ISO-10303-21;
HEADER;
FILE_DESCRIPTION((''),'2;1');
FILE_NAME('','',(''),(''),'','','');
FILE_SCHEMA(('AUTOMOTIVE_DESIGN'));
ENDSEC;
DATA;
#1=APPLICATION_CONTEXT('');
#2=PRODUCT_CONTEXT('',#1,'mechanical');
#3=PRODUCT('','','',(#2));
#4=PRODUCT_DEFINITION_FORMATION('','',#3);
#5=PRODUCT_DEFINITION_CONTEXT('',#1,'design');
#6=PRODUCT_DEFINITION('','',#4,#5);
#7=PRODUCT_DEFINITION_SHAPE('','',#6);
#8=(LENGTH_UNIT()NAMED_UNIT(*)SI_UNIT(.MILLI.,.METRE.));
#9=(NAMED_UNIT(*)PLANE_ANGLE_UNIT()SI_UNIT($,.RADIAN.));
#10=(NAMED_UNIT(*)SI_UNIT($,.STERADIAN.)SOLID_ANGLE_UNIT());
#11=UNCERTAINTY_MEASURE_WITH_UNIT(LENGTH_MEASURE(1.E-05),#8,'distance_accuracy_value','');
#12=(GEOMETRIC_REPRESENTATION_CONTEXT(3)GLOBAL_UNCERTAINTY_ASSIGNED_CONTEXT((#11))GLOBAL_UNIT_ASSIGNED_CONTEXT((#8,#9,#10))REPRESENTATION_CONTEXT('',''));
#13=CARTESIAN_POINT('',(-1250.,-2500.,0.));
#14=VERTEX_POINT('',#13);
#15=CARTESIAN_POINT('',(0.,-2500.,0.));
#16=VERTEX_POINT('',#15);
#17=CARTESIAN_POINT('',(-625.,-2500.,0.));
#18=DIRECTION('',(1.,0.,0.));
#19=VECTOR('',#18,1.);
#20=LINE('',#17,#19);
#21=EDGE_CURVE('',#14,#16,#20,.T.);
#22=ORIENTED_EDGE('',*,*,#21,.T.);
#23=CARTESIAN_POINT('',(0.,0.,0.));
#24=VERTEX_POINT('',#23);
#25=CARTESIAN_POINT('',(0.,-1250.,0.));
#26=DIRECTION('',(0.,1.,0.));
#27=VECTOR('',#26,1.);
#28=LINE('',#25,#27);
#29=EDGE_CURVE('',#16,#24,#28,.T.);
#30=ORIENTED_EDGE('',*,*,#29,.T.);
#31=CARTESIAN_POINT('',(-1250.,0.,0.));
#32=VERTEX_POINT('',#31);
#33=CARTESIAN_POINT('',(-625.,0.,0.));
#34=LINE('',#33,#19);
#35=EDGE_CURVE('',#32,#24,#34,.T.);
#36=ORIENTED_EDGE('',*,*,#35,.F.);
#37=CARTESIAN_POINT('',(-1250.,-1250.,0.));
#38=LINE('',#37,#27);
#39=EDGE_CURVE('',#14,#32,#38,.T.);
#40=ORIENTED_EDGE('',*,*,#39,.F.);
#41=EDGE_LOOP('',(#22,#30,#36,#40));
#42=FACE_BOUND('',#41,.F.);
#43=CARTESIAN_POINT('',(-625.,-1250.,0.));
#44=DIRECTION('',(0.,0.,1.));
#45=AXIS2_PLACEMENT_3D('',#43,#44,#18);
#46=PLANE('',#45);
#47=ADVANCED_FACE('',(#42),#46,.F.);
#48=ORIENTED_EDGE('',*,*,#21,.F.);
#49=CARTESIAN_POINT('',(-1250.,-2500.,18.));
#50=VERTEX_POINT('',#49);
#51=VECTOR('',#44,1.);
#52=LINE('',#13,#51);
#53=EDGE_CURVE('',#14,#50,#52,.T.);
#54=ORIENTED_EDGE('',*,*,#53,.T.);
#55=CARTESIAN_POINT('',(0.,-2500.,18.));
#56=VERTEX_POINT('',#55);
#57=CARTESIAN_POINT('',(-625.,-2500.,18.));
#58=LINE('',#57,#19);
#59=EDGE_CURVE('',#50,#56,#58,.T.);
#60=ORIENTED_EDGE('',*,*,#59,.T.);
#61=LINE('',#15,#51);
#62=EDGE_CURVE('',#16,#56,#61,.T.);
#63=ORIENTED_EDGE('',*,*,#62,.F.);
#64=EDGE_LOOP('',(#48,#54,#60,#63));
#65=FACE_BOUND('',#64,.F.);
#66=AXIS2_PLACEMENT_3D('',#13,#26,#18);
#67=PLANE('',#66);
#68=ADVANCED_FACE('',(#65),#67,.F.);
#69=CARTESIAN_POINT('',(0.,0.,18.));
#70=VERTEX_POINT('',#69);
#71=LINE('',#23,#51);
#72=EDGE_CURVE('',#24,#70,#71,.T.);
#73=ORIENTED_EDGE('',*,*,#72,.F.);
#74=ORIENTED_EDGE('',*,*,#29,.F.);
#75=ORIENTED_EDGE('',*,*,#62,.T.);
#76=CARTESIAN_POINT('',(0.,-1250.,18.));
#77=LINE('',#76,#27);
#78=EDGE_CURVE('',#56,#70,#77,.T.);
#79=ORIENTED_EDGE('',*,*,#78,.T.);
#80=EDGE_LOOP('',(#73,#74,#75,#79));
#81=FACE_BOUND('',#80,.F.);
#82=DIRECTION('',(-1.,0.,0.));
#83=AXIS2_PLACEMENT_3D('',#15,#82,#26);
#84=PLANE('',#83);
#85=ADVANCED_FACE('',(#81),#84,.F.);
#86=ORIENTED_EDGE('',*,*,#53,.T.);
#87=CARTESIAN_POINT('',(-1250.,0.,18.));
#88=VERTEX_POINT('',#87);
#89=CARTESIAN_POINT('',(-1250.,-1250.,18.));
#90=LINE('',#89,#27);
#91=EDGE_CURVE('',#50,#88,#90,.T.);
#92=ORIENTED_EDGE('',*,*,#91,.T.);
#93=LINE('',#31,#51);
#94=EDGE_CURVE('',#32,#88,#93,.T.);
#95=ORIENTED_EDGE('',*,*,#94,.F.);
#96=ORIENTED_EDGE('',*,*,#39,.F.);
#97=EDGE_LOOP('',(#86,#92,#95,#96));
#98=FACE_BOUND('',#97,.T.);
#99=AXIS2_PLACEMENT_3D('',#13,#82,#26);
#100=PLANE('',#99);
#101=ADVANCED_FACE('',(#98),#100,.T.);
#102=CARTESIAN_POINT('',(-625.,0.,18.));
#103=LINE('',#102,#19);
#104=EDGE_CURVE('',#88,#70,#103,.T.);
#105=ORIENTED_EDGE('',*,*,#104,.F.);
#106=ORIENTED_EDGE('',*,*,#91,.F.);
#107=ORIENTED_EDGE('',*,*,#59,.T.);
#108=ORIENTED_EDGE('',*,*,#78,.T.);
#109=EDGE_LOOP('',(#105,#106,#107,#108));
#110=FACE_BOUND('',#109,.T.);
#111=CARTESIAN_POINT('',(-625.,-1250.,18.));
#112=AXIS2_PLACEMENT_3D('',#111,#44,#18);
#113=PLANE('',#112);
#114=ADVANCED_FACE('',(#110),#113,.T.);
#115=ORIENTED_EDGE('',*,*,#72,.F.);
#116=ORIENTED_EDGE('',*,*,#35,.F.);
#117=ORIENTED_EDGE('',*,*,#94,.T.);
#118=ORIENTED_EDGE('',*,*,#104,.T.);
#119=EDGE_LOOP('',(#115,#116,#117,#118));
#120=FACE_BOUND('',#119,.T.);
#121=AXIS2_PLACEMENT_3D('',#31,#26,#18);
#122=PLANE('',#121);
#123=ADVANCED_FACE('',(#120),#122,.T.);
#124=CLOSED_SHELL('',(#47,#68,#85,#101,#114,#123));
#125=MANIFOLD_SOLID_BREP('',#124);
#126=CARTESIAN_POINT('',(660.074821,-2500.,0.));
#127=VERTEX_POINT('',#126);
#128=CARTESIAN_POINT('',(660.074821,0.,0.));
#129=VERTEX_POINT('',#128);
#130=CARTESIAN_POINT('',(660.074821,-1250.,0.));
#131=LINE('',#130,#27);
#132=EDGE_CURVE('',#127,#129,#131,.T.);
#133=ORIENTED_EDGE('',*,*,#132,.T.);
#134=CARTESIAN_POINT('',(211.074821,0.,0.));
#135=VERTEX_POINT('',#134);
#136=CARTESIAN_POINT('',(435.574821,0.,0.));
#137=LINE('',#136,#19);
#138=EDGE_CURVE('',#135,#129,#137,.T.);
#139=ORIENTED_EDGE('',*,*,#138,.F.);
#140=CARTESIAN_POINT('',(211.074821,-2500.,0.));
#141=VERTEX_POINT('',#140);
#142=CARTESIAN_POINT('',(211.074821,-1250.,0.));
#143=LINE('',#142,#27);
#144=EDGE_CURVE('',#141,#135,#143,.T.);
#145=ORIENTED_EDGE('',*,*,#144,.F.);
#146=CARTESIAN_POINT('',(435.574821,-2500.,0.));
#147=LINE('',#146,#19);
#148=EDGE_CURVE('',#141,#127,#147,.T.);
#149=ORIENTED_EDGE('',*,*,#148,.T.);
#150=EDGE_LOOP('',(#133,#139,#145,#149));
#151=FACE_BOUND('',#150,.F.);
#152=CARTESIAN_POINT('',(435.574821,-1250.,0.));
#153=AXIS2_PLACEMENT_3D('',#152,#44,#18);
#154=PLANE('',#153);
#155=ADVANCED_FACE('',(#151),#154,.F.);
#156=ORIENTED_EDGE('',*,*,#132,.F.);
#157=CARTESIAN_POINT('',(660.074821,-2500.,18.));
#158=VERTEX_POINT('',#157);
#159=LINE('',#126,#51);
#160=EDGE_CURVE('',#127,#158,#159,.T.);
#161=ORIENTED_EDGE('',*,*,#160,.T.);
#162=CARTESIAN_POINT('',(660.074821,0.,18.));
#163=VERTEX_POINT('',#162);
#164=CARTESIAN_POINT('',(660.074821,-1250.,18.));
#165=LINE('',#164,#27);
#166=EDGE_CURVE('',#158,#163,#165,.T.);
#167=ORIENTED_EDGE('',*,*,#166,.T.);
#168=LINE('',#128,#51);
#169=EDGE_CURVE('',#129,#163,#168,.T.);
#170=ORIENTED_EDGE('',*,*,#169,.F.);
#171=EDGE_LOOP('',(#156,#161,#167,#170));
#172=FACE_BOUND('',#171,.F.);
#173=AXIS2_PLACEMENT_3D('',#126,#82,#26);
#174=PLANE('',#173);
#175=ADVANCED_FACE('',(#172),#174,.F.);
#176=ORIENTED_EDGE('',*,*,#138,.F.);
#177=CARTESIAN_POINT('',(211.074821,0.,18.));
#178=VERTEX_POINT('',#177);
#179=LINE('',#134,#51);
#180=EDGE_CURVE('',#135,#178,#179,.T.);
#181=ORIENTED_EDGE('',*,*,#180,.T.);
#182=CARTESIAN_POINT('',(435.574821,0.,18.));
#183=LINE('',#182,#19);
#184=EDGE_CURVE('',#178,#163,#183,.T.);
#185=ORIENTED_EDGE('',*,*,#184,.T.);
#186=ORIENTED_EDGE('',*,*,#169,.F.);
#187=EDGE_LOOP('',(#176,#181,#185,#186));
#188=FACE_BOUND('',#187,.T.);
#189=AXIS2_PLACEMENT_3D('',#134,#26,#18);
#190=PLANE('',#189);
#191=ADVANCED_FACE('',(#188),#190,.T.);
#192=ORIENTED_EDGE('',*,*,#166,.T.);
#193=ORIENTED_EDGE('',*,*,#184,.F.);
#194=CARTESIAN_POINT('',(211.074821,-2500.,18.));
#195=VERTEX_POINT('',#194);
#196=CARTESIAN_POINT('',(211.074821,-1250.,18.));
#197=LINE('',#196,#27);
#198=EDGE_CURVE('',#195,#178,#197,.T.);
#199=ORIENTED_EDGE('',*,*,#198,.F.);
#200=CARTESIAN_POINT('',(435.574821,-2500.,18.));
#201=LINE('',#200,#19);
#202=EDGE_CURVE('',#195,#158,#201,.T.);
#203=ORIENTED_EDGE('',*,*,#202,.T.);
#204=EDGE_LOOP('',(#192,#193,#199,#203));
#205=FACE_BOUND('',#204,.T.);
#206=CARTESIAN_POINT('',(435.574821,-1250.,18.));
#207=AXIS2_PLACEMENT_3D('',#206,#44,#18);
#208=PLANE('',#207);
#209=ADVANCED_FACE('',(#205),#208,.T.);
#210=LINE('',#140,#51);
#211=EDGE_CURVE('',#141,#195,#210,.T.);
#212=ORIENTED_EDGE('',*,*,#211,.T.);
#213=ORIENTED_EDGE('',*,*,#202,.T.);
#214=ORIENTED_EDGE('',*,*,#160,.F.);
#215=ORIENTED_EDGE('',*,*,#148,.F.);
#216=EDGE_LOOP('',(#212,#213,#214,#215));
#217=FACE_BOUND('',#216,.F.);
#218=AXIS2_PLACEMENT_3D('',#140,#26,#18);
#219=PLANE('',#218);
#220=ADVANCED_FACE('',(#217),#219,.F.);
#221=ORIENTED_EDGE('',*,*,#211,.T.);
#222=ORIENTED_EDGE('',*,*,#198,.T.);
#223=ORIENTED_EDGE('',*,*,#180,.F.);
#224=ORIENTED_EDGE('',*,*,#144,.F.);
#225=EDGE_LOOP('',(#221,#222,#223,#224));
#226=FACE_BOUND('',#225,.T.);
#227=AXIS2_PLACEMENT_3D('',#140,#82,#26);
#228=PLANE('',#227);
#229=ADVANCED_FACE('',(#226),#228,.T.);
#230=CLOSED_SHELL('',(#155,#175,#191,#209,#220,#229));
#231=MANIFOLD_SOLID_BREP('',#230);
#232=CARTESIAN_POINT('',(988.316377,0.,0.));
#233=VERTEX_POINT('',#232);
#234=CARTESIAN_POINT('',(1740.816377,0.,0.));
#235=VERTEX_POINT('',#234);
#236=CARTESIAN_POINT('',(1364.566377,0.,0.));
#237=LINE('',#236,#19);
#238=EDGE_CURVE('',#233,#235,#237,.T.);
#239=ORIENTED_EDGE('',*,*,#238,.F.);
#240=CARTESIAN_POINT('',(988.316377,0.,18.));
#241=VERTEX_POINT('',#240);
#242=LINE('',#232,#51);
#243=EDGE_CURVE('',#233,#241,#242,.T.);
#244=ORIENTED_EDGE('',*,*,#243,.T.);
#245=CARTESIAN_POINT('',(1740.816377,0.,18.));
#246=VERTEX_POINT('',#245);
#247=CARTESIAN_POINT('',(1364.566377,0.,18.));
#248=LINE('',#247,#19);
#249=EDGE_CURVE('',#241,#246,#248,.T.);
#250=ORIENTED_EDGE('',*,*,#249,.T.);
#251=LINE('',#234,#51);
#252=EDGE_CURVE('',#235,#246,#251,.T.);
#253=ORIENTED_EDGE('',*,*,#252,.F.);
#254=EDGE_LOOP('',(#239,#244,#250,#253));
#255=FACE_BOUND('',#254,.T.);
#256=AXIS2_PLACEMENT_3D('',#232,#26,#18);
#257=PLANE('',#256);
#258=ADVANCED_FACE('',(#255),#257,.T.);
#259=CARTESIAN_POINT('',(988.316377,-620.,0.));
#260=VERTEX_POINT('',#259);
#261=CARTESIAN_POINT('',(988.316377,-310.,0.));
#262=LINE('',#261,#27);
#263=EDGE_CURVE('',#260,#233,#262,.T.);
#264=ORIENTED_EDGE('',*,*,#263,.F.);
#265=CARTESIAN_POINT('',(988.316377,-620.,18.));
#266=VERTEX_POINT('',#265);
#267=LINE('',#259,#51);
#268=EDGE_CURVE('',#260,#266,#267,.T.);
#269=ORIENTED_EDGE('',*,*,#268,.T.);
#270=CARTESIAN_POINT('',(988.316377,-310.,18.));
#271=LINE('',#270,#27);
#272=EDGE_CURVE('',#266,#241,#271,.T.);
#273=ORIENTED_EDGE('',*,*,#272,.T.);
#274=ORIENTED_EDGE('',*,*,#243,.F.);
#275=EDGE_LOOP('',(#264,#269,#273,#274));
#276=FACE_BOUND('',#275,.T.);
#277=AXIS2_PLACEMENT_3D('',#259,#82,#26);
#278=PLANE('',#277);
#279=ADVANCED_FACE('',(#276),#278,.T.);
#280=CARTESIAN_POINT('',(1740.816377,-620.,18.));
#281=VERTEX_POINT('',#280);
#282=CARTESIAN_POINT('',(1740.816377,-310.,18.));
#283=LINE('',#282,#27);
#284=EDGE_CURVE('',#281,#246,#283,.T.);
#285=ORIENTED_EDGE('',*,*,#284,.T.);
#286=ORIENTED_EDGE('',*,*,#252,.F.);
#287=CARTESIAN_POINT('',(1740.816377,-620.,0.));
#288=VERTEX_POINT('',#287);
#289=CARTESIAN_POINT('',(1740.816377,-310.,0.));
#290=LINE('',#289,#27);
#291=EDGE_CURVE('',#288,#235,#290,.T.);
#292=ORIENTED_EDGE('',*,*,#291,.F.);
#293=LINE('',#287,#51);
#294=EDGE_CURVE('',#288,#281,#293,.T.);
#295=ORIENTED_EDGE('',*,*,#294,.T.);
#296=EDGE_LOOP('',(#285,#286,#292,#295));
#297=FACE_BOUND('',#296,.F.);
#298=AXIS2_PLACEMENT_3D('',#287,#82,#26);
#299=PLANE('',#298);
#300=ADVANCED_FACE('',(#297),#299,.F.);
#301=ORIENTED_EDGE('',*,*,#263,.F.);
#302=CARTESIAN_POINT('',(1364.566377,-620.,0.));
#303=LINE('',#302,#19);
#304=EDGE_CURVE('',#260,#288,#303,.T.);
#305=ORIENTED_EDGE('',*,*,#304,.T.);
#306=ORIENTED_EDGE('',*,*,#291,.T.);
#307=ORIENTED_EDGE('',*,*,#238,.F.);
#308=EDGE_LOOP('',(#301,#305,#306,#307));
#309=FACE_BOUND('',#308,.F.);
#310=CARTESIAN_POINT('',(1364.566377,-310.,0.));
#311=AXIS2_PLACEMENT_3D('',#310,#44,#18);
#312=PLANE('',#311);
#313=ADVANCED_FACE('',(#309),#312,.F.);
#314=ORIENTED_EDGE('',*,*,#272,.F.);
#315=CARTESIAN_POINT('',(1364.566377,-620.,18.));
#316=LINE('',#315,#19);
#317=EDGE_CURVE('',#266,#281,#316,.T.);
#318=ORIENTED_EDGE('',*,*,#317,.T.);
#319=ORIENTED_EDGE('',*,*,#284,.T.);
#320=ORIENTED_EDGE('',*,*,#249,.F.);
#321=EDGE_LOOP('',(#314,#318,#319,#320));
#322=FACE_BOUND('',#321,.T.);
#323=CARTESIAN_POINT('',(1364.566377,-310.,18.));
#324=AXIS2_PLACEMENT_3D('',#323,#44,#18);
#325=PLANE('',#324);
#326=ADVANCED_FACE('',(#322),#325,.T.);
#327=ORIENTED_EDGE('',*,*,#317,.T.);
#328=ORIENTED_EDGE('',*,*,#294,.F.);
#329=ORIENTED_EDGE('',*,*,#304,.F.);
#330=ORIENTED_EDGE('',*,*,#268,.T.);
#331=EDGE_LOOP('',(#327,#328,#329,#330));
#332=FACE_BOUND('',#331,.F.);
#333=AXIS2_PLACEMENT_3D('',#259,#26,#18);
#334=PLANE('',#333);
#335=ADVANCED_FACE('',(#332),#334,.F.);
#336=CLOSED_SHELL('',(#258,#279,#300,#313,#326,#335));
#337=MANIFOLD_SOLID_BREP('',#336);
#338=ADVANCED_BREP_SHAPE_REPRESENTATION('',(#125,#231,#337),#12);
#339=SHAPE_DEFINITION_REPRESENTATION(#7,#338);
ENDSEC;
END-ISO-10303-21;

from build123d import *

# Parameters (mm, degrees)
F0_W     = 1250
F0_H     = 2500
F1_DEPTH = 18
F2_W     = 449
F2_H     = 2500
F3_DEPTH = 18
F4_W     = 752.5
F4_H     = 620
F5_DEPTH = 18


with BuildPart() as f1:
    # F0 (on Top) → F1 (new body)
    with BuildSketch(Plane.XY):
        with Locations((-625, -1250)):
            Rectangle(F0_W, F0_H)
    extrude(amount=F1_DEPTH)


with BuildPart() as f3:
    # F2 (on Top) → F3 (new body)
    with BuildSketch(Plane.XY):
        with Locations((435.574821, -1250)):
            Rectangle(F2_W, F2_H)
    extrude(amount=F3_DEPTH)


with BuildPart() as f5:
    # F4 (on Top) → F5 (new body)
    with BuildSketch(Plane.XY):
        with Locations((1364.566377, -310)):
            Rectangle(F4_W, F4_H)
    extrude(amount=F5_DEPTH)


solid = Compound([f1.part, f3.part, f5.part])
